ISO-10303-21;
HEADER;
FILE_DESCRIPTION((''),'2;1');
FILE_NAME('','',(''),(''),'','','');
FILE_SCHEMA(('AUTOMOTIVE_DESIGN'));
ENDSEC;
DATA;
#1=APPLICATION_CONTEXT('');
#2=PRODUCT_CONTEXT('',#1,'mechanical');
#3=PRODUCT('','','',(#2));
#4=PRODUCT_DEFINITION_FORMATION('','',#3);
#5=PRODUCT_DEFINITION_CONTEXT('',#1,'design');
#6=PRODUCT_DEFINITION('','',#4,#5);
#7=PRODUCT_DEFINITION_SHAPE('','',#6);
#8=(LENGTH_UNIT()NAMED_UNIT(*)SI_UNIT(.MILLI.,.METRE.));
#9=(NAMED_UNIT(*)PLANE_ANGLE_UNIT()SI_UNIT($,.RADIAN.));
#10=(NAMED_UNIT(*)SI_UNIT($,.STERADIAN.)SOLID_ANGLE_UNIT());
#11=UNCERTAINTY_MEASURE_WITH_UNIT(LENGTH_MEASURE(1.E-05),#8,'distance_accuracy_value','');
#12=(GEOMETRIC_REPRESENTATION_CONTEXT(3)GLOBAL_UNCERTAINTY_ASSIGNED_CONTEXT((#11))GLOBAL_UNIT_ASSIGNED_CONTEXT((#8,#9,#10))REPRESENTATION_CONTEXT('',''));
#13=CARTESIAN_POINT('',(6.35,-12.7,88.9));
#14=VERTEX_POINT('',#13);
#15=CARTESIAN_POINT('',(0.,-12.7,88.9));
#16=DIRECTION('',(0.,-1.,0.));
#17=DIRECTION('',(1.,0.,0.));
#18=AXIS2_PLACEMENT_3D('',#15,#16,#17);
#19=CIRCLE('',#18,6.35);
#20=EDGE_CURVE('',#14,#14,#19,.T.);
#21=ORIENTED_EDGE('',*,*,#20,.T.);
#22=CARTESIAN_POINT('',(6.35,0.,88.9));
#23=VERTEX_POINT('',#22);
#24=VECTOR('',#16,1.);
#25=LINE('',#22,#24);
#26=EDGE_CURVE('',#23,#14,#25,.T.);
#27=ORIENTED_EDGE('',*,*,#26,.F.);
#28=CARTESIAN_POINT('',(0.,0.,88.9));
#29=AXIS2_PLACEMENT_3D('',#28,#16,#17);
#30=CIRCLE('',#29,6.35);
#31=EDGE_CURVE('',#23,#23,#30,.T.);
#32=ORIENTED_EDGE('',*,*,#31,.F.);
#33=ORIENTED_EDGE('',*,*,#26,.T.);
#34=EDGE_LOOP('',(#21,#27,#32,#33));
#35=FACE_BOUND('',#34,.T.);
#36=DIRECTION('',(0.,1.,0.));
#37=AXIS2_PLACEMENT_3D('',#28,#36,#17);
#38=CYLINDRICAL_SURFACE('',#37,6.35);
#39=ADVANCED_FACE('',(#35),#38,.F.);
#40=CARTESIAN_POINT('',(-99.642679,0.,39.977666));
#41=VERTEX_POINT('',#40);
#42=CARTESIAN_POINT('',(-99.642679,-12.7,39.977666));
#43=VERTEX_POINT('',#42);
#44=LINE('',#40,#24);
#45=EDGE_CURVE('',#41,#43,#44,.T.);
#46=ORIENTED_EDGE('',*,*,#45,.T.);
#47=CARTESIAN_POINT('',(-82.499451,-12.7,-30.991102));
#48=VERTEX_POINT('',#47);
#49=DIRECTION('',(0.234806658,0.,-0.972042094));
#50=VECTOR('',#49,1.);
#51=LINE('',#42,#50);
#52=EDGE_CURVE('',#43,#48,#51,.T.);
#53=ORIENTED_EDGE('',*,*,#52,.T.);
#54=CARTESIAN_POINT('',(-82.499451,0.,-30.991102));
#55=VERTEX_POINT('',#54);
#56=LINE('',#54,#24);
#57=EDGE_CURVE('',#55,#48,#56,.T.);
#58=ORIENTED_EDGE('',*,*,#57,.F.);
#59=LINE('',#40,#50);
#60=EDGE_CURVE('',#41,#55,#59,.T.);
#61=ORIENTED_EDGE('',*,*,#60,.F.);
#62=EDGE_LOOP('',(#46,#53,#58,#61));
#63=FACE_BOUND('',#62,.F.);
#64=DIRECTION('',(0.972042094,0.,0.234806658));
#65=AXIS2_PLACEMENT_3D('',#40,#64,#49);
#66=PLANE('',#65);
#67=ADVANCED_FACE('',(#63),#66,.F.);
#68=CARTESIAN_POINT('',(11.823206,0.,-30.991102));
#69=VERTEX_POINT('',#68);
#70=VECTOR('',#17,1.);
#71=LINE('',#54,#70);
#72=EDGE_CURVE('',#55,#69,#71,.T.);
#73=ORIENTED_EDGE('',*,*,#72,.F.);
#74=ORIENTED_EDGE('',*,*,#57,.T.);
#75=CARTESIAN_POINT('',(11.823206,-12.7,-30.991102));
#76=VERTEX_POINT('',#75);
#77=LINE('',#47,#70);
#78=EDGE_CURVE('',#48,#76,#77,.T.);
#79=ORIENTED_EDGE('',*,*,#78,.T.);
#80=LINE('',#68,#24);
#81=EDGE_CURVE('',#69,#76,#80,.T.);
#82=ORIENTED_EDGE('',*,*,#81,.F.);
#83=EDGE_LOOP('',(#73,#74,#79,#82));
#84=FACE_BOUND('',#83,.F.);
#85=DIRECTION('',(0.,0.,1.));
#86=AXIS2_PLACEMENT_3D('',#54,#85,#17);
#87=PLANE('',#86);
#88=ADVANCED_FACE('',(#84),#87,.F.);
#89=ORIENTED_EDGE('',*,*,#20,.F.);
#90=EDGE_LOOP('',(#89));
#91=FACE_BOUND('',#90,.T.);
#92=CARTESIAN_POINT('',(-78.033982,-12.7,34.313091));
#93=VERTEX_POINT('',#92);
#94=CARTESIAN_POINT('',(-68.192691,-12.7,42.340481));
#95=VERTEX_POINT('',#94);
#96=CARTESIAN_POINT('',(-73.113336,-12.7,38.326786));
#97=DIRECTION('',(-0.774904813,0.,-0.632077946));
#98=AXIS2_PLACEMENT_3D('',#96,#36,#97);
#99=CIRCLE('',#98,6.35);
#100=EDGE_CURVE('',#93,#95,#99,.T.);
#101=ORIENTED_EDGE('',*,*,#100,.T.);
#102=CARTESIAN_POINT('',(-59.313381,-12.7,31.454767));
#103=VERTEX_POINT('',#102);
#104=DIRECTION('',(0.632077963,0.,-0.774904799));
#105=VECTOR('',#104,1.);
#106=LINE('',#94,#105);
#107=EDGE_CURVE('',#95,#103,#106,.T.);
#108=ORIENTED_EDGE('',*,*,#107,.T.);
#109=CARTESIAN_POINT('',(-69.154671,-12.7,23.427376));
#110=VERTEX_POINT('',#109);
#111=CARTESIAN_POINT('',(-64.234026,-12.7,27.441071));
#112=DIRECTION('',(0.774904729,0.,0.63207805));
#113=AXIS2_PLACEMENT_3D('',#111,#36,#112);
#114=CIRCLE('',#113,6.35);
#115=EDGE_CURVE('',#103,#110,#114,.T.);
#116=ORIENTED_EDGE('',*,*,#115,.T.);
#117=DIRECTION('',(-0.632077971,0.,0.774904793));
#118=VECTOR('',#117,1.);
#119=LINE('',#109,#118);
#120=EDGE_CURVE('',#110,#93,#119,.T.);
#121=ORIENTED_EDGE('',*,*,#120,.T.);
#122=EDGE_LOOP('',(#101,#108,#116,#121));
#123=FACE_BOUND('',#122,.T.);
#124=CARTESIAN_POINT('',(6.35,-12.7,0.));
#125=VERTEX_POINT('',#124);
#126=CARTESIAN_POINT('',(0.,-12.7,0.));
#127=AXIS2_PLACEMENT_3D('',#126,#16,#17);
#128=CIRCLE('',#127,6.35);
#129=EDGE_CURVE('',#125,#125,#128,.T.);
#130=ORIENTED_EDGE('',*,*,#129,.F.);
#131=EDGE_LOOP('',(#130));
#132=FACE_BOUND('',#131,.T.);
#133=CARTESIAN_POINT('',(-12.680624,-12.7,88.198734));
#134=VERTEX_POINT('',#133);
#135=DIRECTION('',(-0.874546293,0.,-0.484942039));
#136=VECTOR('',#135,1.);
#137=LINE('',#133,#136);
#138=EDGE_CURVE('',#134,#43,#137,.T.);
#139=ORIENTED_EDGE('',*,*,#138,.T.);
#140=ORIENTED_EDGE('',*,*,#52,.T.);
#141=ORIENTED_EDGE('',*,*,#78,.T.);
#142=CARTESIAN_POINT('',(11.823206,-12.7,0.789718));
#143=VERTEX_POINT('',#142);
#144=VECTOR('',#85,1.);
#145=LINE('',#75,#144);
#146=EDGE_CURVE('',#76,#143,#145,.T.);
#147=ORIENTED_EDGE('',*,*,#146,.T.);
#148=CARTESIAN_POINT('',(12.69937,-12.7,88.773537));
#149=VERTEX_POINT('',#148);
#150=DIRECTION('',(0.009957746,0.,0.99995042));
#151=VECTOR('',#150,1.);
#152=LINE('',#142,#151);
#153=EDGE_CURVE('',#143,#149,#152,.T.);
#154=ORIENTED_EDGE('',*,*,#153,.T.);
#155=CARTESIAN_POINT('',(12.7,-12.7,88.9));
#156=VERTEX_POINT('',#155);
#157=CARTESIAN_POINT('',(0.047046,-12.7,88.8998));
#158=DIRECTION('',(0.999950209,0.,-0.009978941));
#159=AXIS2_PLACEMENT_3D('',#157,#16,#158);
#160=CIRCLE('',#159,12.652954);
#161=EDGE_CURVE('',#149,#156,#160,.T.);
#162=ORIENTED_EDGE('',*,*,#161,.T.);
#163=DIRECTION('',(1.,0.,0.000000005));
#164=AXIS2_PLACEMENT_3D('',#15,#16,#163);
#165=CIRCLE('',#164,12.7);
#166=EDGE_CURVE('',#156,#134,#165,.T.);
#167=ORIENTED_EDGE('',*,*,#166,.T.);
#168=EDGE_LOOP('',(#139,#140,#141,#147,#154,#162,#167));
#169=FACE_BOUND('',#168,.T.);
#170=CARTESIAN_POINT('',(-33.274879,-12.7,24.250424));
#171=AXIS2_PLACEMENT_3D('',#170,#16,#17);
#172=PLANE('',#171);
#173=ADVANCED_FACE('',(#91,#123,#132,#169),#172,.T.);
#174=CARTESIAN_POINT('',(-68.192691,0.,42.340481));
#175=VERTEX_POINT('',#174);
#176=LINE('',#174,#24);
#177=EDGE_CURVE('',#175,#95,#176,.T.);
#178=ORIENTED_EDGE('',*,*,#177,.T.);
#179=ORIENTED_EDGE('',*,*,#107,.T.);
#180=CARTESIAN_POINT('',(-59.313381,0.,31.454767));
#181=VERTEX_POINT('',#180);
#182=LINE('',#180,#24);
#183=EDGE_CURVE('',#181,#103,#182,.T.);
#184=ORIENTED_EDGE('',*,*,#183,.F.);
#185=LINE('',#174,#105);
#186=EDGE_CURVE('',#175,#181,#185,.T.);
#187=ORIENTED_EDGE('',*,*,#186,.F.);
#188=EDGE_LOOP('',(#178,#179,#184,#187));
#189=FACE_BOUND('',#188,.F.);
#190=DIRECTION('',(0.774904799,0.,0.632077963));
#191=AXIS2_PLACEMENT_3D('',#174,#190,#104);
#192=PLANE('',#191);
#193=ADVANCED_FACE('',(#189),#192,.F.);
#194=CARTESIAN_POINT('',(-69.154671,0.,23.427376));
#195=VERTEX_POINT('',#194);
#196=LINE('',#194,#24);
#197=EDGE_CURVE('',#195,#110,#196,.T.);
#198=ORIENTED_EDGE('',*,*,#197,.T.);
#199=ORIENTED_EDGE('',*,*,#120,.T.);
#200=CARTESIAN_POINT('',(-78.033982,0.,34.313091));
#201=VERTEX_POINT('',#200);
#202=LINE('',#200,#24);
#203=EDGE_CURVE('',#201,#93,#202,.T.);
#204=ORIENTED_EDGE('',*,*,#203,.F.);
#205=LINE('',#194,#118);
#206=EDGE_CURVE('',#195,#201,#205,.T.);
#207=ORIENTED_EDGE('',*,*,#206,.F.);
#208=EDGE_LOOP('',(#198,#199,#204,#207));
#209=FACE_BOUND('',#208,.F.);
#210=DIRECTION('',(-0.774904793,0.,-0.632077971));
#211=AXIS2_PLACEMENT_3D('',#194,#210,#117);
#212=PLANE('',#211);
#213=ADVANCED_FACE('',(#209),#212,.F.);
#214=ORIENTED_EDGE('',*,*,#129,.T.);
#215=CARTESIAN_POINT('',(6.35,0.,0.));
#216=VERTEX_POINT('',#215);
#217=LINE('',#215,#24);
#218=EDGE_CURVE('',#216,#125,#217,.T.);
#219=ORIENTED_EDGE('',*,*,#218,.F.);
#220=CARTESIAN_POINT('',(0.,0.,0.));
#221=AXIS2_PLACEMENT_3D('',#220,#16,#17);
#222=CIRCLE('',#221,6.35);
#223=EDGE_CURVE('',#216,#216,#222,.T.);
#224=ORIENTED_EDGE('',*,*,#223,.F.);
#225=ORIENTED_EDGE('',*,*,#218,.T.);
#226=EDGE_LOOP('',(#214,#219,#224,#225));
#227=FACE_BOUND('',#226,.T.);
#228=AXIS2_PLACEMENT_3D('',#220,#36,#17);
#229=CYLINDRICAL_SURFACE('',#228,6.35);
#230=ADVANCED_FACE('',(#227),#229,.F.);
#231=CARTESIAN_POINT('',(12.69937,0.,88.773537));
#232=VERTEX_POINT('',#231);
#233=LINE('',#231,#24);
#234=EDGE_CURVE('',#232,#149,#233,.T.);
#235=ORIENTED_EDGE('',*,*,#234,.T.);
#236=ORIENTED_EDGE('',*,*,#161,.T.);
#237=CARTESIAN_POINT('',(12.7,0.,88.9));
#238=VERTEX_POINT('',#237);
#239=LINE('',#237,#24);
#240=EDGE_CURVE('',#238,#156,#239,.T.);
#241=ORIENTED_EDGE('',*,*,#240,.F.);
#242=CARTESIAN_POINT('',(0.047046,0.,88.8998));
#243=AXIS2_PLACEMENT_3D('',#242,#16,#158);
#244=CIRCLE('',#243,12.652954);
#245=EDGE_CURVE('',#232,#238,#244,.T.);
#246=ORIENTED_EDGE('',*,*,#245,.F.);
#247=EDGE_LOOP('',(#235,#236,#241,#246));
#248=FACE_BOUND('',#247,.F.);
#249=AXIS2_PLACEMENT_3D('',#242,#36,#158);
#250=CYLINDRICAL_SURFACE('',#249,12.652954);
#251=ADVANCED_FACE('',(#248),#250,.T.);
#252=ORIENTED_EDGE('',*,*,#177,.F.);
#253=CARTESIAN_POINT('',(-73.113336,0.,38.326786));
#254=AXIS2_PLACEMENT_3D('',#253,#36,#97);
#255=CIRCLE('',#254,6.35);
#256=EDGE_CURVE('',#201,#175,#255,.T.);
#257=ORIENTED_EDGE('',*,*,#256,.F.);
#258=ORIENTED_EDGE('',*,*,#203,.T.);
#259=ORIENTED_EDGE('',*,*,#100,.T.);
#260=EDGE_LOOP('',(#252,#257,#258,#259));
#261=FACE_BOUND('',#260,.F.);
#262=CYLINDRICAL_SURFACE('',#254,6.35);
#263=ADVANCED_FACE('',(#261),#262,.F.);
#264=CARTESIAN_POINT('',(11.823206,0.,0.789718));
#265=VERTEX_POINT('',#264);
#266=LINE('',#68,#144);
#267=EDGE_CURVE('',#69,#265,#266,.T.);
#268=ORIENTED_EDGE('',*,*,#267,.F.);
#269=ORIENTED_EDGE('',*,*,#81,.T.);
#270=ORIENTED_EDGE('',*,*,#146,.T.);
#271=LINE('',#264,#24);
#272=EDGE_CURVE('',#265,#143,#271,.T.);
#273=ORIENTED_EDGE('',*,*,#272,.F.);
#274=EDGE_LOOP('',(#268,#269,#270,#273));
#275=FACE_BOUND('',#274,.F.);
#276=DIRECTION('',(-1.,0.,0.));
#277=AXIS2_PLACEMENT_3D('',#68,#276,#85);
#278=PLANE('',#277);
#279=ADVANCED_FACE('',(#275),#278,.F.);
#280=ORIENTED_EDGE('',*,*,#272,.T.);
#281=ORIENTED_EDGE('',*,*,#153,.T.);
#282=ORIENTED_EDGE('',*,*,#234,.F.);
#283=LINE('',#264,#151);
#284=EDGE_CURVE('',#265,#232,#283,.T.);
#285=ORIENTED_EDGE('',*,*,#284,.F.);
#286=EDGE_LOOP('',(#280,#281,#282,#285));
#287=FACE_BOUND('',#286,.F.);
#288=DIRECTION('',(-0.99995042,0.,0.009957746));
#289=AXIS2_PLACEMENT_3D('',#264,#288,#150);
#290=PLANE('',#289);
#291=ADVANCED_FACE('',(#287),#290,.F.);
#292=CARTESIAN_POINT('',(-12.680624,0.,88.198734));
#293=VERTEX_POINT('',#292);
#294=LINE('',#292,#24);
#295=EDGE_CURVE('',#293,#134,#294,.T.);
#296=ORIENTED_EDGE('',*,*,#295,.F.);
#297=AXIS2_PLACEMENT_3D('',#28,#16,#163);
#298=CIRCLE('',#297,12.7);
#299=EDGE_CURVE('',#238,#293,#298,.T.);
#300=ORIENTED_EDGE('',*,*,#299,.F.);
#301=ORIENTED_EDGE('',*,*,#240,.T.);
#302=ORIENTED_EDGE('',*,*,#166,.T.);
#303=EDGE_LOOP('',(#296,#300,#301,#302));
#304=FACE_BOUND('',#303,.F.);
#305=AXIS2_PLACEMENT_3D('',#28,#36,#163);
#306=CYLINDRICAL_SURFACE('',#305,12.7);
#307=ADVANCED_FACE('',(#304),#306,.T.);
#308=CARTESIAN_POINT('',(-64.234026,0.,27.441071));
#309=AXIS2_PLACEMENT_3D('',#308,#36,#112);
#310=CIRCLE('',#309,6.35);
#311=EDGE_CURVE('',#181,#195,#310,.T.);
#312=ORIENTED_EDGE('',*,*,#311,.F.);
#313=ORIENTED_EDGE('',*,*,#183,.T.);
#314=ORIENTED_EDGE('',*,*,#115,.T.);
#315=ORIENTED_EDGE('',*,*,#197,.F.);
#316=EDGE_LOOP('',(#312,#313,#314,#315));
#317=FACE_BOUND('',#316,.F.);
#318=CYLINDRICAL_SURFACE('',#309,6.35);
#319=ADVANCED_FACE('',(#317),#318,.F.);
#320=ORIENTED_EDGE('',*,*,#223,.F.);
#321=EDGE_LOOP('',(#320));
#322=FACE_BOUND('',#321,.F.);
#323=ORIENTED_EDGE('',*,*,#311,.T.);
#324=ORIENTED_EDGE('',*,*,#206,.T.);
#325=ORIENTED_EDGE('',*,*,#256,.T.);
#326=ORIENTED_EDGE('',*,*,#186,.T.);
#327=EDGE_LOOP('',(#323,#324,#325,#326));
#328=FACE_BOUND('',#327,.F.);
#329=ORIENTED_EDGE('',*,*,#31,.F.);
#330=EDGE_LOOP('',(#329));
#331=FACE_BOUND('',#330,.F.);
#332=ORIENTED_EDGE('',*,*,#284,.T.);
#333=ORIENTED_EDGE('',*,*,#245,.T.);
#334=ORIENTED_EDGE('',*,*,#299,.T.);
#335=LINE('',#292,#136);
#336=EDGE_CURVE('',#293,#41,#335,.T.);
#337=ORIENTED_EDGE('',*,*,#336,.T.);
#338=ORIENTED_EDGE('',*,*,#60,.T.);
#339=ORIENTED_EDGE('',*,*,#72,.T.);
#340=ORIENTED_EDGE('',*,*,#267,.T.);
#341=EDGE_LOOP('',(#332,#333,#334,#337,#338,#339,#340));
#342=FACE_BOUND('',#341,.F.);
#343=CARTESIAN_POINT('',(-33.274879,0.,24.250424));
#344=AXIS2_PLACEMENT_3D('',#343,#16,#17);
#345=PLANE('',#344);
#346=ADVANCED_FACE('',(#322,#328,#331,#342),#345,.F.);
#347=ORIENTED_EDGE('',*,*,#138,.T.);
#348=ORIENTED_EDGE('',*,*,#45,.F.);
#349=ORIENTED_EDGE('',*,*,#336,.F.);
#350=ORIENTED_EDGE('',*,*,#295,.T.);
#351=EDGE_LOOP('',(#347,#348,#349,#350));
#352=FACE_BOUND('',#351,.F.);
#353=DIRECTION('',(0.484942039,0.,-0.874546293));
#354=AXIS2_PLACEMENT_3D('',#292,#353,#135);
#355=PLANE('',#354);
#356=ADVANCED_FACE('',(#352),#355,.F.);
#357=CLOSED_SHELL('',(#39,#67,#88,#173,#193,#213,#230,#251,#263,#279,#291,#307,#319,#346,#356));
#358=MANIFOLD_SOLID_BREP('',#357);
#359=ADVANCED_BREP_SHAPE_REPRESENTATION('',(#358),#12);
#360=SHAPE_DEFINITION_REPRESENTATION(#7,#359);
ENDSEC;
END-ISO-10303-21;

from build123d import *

# Parameters (mm, degrees)
F0_R     = 6.35
F1_DEPTH = 12.7


with BuildPart() as f1:
    # F0 (on Front) → F1 (new body)
    with BuildSketch(Plane.XZ):
        with BuildLine():
            Line((11.823206, 0.789718), (12.69937, 88.773537))
            ThreePointArc((12.69937, 88.773537), (0.287554, 76.203256), (-12.680624, 88.198734))
            Line((-12.680624, 88.198734), (-99.642679, 39.977666))
            Line((-99.642679, 39.977666), (-82.499451, -30.991102))
            Line((-82.499451, -30.991102), (11.823206, -30.991102))
            Line((11.823206, -30.991102), (11.823206, 0.789718))
        make_face()
        with BuildLine():
            Line((-69.154671, 23.427376), (-78.033982, 34.313091))
            ThreePointArc((-78.033982, 34.313091), (-77.127032, 43.247431), (-68.192691, 42.340481))
            Line((-68.192691, 42.340481), (-59.313381, 31.454767))
            ThreePointArc((-59.313381, 31.454767), (-60.220331, 22.520426), (-69.154671, 23.427376))
        make_face(mode=Mode.SUBTRACT)
        Circle(F0_R, mode=Mode.SUBTRACT)
        with BuildLine():
            ThreePointArc((-12.680624, 88.198734), (0.287554, 76.203256), (12.69937, 88.773537))
            ThreePointArc((12.69937, 88.773537), (12.699843, 88.836768), (12.7, 88.9))
            ThreePointArc((12.7, 88.9), (-0.350767, 101.595155), (-12.680624, 88.198734))
        make_face()
        with Locations((0, 88.9)):
            Circle(F0_R, mode=Mode.SUBTRACT)
    extrude(amount=F1_DEPTH)


solid = f1.part
